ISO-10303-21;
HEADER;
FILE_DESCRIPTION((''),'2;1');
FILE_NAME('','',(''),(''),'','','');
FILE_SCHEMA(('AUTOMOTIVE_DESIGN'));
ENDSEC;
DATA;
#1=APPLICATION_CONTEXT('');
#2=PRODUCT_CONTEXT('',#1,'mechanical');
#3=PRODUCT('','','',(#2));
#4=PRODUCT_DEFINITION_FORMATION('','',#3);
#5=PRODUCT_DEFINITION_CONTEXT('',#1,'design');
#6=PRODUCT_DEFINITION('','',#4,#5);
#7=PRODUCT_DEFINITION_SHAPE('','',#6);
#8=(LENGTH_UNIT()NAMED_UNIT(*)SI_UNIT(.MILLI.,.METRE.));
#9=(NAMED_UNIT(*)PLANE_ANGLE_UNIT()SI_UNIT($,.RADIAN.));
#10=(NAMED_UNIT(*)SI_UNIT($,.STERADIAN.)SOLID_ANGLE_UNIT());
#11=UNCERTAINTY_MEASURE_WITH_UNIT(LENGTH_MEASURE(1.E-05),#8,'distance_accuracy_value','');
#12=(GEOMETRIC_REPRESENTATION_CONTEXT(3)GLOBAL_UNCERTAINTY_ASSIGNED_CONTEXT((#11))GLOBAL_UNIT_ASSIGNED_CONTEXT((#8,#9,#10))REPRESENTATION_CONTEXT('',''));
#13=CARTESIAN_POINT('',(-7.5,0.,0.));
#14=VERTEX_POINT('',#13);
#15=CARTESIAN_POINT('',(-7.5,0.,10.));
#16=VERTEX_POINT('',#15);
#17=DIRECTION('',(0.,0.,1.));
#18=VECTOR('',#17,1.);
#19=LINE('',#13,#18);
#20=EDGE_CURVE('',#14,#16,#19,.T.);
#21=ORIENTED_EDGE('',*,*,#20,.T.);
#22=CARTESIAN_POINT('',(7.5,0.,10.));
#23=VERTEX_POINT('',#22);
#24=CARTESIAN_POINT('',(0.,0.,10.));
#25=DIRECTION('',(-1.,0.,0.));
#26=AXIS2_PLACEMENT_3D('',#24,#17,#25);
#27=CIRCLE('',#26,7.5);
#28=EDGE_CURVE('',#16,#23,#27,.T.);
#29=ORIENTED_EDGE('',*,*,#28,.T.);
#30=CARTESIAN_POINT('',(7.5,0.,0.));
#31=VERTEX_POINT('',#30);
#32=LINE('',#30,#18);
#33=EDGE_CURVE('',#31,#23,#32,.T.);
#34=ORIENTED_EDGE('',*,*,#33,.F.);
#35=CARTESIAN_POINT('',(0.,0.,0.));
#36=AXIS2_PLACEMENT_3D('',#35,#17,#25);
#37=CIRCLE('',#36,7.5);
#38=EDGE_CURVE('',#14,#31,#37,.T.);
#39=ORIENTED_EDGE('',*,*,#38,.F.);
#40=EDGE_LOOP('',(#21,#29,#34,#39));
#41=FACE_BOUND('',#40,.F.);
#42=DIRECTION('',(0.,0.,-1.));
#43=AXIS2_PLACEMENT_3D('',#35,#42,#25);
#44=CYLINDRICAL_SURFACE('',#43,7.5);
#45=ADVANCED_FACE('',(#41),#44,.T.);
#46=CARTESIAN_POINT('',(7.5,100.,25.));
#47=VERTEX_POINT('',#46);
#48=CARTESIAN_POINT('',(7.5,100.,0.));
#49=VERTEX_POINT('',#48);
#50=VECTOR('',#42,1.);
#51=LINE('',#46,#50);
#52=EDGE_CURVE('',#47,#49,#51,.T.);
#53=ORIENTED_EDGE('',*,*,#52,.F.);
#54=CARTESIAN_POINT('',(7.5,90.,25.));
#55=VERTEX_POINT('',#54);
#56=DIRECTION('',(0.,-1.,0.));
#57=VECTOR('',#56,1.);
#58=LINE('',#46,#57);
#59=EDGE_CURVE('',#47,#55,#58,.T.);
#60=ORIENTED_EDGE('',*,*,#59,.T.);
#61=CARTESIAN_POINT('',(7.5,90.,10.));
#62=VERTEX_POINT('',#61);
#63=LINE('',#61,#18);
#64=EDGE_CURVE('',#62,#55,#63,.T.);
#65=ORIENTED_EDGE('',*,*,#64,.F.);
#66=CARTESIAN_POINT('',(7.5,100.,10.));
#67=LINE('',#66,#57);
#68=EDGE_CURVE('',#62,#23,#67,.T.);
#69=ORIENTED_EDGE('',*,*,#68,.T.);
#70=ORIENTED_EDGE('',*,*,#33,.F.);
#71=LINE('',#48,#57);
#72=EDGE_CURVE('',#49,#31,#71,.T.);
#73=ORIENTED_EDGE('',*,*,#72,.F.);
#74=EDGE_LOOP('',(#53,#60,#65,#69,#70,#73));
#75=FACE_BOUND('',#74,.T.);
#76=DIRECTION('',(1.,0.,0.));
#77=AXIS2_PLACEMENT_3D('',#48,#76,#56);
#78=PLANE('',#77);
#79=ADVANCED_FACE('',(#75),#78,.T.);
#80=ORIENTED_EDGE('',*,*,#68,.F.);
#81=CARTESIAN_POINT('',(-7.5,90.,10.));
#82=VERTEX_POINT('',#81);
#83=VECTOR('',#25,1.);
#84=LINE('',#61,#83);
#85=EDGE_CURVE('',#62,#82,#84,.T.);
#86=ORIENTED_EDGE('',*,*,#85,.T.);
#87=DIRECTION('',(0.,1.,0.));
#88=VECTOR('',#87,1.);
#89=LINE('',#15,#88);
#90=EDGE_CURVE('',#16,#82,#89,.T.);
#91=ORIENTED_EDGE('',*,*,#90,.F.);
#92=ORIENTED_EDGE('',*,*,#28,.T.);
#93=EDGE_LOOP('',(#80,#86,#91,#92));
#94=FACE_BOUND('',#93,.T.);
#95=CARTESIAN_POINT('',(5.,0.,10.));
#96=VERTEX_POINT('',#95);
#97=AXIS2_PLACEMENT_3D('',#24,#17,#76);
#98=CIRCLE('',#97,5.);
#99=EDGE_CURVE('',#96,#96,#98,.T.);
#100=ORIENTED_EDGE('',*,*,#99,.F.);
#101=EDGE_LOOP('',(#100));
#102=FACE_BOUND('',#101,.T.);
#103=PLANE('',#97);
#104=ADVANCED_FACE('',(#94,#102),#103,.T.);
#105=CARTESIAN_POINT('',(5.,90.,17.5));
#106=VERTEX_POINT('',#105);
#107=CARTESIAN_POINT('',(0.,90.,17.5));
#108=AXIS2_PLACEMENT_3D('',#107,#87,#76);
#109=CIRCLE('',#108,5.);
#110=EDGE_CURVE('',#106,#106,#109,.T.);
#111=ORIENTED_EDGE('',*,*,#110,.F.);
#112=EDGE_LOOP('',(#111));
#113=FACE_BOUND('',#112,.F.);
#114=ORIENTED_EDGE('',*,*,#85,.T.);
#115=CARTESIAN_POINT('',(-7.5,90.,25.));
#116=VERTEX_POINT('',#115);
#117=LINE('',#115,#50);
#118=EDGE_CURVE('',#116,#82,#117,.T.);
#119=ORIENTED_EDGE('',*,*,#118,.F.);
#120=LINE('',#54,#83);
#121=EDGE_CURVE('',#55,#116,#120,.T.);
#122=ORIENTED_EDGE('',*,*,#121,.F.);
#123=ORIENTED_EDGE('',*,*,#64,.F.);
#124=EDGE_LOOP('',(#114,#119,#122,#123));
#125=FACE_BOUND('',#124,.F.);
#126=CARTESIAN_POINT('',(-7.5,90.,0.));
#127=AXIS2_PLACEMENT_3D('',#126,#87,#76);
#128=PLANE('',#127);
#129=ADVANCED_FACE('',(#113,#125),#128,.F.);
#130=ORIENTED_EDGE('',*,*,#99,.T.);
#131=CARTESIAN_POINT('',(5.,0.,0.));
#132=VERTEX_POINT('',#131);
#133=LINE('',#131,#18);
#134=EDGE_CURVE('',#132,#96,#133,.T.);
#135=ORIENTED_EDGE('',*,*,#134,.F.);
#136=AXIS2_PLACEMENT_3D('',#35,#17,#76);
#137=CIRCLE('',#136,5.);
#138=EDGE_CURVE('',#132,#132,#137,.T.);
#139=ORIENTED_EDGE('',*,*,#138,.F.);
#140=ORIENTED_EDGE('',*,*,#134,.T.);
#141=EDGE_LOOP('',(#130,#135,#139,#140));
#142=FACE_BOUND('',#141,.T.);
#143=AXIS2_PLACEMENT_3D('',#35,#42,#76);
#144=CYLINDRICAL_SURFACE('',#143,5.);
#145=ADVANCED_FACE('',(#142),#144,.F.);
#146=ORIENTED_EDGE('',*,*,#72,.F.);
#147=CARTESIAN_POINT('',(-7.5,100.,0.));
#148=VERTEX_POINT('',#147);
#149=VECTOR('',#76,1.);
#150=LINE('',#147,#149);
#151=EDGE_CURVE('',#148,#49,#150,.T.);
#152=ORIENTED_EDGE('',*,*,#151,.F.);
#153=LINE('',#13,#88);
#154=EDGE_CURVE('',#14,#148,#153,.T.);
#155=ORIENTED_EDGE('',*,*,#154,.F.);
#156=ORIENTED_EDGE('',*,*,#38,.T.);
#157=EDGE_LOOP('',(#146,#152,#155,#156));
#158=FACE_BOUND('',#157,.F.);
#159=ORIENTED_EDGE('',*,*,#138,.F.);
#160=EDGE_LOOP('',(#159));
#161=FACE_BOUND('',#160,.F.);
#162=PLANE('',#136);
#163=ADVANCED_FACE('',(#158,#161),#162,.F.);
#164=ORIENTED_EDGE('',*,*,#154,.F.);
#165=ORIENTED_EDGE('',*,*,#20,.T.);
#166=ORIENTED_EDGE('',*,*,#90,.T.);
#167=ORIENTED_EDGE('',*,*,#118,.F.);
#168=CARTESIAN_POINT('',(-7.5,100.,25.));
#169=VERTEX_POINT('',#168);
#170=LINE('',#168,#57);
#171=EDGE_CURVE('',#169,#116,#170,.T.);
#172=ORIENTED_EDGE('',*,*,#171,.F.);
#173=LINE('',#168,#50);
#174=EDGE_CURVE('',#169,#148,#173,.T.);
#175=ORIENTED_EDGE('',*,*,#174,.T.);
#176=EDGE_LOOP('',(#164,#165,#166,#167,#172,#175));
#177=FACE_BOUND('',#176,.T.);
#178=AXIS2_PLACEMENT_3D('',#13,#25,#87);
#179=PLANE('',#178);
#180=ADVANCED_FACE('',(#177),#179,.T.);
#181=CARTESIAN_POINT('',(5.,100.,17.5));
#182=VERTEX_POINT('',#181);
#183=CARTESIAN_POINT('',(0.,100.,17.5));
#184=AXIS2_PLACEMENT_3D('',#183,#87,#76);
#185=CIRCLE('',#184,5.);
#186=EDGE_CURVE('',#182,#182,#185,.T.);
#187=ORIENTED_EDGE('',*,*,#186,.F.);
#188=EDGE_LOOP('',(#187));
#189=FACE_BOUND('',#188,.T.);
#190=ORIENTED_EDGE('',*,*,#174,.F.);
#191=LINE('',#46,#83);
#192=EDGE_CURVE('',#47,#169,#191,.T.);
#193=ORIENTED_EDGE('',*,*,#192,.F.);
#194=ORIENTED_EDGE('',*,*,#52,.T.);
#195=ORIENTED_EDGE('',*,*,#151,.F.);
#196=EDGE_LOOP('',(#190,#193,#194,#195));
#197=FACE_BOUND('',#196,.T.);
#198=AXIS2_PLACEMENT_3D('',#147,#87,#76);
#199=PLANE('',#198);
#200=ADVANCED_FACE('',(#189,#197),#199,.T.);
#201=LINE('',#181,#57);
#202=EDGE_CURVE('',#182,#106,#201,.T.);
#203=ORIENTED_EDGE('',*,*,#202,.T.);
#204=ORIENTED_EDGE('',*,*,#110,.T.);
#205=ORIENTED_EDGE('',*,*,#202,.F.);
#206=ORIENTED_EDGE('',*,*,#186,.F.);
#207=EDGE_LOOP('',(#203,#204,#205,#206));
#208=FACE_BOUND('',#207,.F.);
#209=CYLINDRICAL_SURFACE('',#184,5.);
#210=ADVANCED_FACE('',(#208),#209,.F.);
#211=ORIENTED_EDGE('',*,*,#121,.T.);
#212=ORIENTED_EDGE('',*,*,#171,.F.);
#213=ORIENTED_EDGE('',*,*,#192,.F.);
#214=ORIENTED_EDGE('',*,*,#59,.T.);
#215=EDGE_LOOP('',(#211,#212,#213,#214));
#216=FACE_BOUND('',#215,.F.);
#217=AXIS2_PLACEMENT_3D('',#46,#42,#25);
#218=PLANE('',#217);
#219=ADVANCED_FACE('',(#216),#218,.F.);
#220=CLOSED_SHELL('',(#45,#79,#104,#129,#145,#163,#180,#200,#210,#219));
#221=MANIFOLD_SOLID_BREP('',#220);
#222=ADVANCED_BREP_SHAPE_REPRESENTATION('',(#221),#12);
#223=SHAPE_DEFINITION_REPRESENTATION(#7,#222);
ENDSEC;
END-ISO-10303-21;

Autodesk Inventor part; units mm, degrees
ref_plane "YZ Plane" through (0, 0, 0) normal (1, 0, 0) x (0, 1, 0)
ref_plane "XZ Plane" through (0, 0, 0) normal (0, 1, 0) x (-1, 0, 0)
ref_plane "XY Plane" through (0, 0, 0) normal (0, 0, 1) x (1, 0, 0)
sketch "草圖1" plane through (0, 0, 0) normal (0, 0, 1) x (1, 0, 0)
  circle A0 centre (0, 0) radius 5
  line L0 (0, 0) -> (0, 100) construction
  line L1 (-7.5, 0) -> (-7.5, 100)
  line L2 (7.5, 100) -> (7.5, 0)
  arc A1 (-7.5, 0) -> (7.5, 0) centre (0, 0) ccw
  arc A2 (7.5, 100) -> (-7.5, 100) centre (0, 100) ccw
  line L3 (-7.5, 100) -> (7.5, 100)
  point P0 (0, 50)
  dimension "d0" = 10
  dimension "d1" = 15
  dimension "d2" = 100
extrude "擠出1" add sketch "草圖1" along normal blind 10 contours L1 L3 L2 A1
sketch "草圖2" plane through (-7.5, 100, 0) normal (0, 1, 0) x (1, 0, 0)
  line L0 (15, -10) -> (0, -10) projected
  line L1 (15, -25) -> (0, -25)
  line L2 (0, -25) -> (0, -10)
  line L3 (0, -10) -> (15, -10)
  line L4 (15, -10) -> (15, -25)
  line L5 (15, -25) -> (0, -10) construction
  line L6 (0, -25) -> (15, -10) construction
  line L7 (15, 0) -> (15, -10) projected
  circle A0 centre (7.5, -17.5) radius 5
  point P0 (7.5, 0)
  point P1 (15, -10)
  dimension "d13" = 0
  dimension "d14" = 15
  dimension "d15" = 10
extrude "擠出2" add sketch "草圖2" against normal blind 10
